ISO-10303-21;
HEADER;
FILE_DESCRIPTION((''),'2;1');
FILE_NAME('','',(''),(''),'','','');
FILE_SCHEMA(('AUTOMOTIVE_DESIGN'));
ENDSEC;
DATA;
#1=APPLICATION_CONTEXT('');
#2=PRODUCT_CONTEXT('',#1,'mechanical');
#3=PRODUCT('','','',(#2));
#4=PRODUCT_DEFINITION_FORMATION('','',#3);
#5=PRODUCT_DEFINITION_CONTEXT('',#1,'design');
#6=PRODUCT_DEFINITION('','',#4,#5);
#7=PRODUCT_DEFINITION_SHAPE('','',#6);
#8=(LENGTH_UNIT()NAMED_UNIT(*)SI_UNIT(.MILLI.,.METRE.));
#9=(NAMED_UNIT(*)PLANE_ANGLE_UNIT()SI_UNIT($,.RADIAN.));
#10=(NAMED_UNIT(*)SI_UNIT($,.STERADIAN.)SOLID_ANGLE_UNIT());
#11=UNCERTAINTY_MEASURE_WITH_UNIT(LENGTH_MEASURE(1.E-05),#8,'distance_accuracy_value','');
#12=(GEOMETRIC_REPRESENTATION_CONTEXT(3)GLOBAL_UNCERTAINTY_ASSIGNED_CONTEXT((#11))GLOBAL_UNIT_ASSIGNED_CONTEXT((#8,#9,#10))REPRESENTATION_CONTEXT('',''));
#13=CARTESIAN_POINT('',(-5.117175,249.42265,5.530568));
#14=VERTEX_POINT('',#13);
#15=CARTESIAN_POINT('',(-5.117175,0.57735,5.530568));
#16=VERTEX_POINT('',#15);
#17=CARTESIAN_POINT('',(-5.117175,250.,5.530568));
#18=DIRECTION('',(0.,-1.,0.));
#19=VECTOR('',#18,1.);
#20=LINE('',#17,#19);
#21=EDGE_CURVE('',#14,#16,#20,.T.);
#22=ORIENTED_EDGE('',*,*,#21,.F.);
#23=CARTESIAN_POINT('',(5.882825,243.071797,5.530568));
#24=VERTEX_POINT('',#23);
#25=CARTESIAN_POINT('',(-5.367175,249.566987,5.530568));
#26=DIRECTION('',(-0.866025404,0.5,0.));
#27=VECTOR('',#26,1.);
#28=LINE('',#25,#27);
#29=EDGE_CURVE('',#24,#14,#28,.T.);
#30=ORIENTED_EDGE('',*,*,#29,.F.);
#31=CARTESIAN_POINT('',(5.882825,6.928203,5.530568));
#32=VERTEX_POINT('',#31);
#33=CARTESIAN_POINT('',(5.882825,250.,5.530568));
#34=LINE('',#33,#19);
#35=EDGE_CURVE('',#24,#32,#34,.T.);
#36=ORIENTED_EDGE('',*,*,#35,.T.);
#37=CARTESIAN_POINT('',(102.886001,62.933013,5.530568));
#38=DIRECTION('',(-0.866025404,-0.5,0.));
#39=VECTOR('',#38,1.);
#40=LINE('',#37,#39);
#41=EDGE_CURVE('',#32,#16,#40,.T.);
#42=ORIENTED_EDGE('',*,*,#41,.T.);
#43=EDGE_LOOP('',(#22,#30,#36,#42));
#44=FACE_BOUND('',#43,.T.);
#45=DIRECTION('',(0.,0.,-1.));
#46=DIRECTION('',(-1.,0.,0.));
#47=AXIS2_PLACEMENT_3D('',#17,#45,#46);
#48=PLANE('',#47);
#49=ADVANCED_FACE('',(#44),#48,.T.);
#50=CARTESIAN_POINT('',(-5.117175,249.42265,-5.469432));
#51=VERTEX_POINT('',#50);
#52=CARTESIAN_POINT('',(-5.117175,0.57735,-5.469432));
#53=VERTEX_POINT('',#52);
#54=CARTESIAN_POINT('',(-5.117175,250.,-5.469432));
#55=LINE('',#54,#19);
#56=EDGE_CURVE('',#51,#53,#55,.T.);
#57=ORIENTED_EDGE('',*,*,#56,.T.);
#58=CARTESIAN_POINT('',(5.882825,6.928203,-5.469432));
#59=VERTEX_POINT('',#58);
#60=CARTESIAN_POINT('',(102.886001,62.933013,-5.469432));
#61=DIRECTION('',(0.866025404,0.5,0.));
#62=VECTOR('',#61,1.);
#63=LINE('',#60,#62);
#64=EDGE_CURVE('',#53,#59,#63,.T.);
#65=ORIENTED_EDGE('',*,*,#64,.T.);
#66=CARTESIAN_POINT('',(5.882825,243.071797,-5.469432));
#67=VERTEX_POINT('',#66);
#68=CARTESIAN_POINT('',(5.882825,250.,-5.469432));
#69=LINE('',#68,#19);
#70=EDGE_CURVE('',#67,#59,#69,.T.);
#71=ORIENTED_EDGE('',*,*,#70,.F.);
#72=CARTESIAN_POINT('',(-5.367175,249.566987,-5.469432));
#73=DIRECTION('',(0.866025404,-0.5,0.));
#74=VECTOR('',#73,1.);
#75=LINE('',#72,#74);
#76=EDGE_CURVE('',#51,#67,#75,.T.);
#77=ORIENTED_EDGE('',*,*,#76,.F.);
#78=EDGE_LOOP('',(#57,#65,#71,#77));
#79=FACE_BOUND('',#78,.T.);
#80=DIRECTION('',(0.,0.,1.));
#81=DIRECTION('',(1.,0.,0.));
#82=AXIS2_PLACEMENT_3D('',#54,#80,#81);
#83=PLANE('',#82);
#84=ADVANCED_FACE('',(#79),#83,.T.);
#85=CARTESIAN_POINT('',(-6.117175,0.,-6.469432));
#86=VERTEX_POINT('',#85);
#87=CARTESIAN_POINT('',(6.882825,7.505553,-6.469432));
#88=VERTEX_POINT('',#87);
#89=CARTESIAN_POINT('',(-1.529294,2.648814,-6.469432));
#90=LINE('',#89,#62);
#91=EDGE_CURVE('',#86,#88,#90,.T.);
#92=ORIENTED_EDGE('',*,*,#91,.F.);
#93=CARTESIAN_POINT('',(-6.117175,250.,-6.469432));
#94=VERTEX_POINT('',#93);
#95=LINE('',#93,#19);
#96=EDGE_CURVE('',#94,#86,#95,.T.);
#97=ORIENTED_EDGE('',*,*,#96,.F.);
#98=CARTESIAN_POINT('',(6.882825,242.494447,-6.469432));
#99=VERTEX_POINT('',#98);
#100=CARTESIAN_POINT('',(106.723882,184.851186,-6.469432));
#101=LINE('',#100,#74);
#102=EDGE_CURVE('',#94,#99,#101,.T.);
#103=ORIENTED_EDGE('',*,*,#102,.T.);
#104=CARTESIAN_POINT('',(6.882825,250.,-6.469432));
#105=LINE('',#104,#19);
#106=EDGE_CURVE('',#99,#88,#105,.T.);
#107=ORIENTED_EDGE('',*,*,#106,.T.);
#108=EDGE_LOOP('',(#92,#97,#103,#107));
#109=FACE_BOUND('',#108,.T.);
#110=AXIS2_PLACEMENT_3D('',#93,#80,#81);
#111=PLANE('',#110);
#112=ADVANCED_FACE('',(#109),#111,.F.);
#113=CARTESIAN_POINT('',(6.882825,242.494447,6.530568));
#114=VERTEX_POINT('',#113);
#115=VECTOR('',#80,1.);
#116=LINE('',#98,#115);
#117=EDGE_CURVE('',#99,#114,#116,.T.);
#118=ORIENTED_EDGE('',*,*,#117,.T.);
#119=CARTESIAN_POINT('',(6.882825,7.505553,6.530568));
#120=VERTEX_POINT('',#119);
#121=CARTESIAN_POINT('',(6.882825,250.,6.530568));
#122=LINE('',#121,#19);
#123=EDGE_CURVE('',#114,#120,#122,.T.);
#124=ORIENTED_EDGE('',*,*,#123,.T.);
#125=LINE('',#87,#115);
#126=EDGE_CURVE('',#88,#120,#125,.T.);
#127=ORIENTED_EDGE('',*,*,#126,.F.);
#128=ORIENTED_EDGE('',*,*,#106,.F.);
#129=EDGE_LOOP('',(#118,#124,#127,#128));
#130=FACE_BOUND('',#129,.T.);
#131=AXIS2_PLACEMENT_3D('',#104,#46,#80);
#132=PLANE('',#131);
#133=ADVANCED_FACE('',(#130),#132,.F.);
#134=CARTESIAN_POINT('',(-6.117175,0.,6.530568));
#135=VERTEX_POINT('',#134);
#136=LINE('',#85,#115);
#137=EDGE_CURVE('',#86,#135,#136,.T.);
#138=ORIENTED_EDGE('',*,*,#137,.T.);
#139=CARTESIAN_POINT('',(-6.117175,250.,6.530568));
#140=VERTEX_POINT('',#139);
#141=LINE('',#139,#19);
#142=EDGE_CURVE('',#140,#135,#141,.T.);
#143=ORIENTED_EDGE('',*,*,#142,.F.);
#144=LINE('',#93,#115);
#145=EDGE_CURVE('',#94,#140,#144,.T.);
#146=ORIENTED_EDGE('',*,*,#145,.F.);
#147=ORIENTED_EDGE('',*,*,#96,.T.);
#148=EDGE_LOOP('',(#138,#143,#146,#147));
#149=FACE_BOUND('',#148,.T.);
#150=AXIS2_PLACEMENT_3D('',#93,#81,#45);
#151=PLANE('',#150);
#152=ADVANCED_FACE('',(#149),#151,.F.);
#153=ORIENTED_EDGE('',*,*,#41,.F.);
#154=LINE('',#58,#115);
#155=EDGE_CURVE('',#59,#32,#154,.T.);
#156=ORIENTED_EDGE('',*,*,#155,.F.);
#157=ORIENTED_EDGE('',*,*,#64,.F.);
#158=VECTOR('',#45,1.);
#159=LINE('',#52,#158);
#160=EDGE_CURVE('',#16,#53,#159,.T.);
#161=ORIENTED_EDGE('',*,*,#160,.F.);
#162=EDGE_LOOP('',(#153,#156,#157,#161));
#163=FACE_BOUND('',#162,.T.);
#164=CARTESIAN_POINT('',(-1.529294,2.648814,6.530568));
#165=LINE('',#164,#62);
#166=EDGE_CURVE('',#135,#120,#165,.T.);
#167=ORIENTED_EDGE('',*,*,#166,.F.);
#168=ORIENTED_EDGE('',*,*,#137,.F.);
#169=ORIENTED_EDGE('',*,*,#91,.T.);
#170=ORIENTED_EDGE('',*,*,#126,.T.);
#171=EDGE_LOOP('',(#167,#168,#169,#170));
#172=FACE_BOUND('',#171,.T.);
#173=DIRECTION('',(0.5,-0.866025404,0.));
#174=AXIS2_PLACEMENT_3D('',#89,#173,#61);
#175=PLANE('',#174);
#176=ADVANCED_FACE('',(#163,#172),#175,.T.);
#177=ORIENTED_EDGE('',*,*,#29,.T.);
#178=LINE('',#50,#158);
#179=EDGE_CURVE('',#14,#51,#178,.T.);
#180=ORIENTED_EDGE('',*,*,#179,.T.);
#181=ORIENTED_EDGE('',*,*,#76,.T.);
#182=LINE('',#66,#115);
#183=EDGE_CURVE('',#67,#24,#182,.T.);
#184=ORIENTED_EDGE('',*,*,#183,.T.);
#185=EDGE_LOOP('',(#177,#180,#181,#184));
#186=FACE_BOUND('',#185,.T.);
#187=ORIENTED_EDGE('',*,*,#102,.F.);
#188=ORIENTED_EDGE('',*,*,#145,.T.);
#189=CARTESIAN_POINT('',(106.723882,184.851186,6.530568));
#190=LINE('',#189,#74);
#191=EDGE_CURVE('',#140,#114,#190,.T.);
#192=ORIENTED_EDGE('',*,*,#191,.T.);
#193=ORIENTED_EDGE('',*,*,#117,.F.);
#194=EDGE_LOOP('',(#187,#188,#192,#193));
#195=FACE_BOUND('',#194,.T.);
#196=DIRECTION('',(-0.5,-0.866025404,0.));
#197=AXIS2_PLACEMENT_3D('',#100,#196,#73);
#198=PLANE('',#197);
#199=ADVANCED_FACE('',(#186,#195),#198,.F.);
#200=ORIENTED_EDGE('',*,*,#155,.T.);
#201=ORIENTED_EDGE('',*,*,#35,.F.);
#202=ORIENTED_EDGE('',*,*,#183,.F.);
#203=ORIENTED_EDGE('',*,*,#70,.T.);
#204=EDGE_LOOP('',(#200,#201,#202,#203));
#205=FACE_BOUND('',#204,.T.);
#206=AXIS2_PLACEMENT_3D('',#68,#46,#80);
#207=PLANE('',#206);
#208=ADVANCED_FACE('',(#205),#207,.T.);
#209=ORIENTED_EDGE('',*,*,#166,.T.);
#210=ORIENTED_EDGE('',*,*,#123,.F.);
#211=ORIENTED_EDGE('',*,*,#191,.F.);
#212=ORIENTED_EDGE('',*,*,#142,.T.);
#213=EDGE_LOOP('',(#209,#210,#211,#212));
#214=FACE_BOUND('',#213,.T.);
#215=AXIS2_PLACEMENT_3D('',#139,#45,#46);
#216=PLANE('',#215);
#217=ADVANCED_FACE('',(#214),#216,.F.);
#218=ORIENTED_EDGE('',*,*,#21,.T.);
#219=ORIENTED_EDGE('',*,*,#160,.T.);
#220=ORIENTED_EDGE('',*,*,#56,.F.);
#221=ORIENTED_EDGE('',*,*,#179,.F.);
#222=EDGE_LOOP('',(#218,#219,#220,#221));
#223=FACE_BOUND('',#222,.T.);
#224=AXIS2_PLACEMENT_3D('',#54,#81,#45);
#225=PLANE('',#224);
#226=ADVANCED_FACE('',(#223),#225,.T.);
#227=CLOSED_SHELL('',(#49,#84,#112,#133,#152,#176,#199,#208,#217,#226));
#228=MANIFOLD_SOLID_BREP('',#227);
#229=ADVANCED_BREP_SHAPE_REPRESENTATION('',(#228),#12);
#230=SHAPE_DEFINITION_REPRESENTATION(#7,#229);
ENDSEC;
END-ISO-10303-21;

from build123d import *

# Parameters (mm, degrees)
SKETCH4_W           = 13
SKETCH4_H           = 13
SKETCH4_W_2         = 11
SKETCH4_H_2         = 11
BOSS_EXTRUDE1_DEPTH = 250
CUT_EXTRUDE1_DEPTH  = 14


with BuildPart() as part:
    # Sketch4 → Boss-Extrude1 (new body)
    with BuildSketch(Plane(origin=(0, 0, 0), x_dir=(1, 0, 0), z_dir=(0, 1, 0))):
        with Locations((0.382825357, -0.030567938)):
            Rectangle(SKETCH4_W, SKETCH4_H)
        with Locations((0.382825357, -0.030567938)):
            Rectangle(SKETCH4_W_2, SKETCH4_H_2, mode=Mode.SUBTRACT)
    extrude(amount=BOSS_EXTRUDE1_DEPTH)

    # Sketch5 → Cut-Extrude1 (cut, through all)
    with BuildSketch(Plane.XY.offset(6.530567938)):
        Polygon((6.882825357, 0), (6.882825357, 7.505553499), (-6.117174643, 0), align=None)
        Polygon((6.882825357, 250), (-6.117174643, 250), (6.882825357, 242.494446501), align=None)
    extrude(amount=-CUT_EXTRUDE1_DEPTH, mode=Mode.SUBTRACT)


solid = part.part
